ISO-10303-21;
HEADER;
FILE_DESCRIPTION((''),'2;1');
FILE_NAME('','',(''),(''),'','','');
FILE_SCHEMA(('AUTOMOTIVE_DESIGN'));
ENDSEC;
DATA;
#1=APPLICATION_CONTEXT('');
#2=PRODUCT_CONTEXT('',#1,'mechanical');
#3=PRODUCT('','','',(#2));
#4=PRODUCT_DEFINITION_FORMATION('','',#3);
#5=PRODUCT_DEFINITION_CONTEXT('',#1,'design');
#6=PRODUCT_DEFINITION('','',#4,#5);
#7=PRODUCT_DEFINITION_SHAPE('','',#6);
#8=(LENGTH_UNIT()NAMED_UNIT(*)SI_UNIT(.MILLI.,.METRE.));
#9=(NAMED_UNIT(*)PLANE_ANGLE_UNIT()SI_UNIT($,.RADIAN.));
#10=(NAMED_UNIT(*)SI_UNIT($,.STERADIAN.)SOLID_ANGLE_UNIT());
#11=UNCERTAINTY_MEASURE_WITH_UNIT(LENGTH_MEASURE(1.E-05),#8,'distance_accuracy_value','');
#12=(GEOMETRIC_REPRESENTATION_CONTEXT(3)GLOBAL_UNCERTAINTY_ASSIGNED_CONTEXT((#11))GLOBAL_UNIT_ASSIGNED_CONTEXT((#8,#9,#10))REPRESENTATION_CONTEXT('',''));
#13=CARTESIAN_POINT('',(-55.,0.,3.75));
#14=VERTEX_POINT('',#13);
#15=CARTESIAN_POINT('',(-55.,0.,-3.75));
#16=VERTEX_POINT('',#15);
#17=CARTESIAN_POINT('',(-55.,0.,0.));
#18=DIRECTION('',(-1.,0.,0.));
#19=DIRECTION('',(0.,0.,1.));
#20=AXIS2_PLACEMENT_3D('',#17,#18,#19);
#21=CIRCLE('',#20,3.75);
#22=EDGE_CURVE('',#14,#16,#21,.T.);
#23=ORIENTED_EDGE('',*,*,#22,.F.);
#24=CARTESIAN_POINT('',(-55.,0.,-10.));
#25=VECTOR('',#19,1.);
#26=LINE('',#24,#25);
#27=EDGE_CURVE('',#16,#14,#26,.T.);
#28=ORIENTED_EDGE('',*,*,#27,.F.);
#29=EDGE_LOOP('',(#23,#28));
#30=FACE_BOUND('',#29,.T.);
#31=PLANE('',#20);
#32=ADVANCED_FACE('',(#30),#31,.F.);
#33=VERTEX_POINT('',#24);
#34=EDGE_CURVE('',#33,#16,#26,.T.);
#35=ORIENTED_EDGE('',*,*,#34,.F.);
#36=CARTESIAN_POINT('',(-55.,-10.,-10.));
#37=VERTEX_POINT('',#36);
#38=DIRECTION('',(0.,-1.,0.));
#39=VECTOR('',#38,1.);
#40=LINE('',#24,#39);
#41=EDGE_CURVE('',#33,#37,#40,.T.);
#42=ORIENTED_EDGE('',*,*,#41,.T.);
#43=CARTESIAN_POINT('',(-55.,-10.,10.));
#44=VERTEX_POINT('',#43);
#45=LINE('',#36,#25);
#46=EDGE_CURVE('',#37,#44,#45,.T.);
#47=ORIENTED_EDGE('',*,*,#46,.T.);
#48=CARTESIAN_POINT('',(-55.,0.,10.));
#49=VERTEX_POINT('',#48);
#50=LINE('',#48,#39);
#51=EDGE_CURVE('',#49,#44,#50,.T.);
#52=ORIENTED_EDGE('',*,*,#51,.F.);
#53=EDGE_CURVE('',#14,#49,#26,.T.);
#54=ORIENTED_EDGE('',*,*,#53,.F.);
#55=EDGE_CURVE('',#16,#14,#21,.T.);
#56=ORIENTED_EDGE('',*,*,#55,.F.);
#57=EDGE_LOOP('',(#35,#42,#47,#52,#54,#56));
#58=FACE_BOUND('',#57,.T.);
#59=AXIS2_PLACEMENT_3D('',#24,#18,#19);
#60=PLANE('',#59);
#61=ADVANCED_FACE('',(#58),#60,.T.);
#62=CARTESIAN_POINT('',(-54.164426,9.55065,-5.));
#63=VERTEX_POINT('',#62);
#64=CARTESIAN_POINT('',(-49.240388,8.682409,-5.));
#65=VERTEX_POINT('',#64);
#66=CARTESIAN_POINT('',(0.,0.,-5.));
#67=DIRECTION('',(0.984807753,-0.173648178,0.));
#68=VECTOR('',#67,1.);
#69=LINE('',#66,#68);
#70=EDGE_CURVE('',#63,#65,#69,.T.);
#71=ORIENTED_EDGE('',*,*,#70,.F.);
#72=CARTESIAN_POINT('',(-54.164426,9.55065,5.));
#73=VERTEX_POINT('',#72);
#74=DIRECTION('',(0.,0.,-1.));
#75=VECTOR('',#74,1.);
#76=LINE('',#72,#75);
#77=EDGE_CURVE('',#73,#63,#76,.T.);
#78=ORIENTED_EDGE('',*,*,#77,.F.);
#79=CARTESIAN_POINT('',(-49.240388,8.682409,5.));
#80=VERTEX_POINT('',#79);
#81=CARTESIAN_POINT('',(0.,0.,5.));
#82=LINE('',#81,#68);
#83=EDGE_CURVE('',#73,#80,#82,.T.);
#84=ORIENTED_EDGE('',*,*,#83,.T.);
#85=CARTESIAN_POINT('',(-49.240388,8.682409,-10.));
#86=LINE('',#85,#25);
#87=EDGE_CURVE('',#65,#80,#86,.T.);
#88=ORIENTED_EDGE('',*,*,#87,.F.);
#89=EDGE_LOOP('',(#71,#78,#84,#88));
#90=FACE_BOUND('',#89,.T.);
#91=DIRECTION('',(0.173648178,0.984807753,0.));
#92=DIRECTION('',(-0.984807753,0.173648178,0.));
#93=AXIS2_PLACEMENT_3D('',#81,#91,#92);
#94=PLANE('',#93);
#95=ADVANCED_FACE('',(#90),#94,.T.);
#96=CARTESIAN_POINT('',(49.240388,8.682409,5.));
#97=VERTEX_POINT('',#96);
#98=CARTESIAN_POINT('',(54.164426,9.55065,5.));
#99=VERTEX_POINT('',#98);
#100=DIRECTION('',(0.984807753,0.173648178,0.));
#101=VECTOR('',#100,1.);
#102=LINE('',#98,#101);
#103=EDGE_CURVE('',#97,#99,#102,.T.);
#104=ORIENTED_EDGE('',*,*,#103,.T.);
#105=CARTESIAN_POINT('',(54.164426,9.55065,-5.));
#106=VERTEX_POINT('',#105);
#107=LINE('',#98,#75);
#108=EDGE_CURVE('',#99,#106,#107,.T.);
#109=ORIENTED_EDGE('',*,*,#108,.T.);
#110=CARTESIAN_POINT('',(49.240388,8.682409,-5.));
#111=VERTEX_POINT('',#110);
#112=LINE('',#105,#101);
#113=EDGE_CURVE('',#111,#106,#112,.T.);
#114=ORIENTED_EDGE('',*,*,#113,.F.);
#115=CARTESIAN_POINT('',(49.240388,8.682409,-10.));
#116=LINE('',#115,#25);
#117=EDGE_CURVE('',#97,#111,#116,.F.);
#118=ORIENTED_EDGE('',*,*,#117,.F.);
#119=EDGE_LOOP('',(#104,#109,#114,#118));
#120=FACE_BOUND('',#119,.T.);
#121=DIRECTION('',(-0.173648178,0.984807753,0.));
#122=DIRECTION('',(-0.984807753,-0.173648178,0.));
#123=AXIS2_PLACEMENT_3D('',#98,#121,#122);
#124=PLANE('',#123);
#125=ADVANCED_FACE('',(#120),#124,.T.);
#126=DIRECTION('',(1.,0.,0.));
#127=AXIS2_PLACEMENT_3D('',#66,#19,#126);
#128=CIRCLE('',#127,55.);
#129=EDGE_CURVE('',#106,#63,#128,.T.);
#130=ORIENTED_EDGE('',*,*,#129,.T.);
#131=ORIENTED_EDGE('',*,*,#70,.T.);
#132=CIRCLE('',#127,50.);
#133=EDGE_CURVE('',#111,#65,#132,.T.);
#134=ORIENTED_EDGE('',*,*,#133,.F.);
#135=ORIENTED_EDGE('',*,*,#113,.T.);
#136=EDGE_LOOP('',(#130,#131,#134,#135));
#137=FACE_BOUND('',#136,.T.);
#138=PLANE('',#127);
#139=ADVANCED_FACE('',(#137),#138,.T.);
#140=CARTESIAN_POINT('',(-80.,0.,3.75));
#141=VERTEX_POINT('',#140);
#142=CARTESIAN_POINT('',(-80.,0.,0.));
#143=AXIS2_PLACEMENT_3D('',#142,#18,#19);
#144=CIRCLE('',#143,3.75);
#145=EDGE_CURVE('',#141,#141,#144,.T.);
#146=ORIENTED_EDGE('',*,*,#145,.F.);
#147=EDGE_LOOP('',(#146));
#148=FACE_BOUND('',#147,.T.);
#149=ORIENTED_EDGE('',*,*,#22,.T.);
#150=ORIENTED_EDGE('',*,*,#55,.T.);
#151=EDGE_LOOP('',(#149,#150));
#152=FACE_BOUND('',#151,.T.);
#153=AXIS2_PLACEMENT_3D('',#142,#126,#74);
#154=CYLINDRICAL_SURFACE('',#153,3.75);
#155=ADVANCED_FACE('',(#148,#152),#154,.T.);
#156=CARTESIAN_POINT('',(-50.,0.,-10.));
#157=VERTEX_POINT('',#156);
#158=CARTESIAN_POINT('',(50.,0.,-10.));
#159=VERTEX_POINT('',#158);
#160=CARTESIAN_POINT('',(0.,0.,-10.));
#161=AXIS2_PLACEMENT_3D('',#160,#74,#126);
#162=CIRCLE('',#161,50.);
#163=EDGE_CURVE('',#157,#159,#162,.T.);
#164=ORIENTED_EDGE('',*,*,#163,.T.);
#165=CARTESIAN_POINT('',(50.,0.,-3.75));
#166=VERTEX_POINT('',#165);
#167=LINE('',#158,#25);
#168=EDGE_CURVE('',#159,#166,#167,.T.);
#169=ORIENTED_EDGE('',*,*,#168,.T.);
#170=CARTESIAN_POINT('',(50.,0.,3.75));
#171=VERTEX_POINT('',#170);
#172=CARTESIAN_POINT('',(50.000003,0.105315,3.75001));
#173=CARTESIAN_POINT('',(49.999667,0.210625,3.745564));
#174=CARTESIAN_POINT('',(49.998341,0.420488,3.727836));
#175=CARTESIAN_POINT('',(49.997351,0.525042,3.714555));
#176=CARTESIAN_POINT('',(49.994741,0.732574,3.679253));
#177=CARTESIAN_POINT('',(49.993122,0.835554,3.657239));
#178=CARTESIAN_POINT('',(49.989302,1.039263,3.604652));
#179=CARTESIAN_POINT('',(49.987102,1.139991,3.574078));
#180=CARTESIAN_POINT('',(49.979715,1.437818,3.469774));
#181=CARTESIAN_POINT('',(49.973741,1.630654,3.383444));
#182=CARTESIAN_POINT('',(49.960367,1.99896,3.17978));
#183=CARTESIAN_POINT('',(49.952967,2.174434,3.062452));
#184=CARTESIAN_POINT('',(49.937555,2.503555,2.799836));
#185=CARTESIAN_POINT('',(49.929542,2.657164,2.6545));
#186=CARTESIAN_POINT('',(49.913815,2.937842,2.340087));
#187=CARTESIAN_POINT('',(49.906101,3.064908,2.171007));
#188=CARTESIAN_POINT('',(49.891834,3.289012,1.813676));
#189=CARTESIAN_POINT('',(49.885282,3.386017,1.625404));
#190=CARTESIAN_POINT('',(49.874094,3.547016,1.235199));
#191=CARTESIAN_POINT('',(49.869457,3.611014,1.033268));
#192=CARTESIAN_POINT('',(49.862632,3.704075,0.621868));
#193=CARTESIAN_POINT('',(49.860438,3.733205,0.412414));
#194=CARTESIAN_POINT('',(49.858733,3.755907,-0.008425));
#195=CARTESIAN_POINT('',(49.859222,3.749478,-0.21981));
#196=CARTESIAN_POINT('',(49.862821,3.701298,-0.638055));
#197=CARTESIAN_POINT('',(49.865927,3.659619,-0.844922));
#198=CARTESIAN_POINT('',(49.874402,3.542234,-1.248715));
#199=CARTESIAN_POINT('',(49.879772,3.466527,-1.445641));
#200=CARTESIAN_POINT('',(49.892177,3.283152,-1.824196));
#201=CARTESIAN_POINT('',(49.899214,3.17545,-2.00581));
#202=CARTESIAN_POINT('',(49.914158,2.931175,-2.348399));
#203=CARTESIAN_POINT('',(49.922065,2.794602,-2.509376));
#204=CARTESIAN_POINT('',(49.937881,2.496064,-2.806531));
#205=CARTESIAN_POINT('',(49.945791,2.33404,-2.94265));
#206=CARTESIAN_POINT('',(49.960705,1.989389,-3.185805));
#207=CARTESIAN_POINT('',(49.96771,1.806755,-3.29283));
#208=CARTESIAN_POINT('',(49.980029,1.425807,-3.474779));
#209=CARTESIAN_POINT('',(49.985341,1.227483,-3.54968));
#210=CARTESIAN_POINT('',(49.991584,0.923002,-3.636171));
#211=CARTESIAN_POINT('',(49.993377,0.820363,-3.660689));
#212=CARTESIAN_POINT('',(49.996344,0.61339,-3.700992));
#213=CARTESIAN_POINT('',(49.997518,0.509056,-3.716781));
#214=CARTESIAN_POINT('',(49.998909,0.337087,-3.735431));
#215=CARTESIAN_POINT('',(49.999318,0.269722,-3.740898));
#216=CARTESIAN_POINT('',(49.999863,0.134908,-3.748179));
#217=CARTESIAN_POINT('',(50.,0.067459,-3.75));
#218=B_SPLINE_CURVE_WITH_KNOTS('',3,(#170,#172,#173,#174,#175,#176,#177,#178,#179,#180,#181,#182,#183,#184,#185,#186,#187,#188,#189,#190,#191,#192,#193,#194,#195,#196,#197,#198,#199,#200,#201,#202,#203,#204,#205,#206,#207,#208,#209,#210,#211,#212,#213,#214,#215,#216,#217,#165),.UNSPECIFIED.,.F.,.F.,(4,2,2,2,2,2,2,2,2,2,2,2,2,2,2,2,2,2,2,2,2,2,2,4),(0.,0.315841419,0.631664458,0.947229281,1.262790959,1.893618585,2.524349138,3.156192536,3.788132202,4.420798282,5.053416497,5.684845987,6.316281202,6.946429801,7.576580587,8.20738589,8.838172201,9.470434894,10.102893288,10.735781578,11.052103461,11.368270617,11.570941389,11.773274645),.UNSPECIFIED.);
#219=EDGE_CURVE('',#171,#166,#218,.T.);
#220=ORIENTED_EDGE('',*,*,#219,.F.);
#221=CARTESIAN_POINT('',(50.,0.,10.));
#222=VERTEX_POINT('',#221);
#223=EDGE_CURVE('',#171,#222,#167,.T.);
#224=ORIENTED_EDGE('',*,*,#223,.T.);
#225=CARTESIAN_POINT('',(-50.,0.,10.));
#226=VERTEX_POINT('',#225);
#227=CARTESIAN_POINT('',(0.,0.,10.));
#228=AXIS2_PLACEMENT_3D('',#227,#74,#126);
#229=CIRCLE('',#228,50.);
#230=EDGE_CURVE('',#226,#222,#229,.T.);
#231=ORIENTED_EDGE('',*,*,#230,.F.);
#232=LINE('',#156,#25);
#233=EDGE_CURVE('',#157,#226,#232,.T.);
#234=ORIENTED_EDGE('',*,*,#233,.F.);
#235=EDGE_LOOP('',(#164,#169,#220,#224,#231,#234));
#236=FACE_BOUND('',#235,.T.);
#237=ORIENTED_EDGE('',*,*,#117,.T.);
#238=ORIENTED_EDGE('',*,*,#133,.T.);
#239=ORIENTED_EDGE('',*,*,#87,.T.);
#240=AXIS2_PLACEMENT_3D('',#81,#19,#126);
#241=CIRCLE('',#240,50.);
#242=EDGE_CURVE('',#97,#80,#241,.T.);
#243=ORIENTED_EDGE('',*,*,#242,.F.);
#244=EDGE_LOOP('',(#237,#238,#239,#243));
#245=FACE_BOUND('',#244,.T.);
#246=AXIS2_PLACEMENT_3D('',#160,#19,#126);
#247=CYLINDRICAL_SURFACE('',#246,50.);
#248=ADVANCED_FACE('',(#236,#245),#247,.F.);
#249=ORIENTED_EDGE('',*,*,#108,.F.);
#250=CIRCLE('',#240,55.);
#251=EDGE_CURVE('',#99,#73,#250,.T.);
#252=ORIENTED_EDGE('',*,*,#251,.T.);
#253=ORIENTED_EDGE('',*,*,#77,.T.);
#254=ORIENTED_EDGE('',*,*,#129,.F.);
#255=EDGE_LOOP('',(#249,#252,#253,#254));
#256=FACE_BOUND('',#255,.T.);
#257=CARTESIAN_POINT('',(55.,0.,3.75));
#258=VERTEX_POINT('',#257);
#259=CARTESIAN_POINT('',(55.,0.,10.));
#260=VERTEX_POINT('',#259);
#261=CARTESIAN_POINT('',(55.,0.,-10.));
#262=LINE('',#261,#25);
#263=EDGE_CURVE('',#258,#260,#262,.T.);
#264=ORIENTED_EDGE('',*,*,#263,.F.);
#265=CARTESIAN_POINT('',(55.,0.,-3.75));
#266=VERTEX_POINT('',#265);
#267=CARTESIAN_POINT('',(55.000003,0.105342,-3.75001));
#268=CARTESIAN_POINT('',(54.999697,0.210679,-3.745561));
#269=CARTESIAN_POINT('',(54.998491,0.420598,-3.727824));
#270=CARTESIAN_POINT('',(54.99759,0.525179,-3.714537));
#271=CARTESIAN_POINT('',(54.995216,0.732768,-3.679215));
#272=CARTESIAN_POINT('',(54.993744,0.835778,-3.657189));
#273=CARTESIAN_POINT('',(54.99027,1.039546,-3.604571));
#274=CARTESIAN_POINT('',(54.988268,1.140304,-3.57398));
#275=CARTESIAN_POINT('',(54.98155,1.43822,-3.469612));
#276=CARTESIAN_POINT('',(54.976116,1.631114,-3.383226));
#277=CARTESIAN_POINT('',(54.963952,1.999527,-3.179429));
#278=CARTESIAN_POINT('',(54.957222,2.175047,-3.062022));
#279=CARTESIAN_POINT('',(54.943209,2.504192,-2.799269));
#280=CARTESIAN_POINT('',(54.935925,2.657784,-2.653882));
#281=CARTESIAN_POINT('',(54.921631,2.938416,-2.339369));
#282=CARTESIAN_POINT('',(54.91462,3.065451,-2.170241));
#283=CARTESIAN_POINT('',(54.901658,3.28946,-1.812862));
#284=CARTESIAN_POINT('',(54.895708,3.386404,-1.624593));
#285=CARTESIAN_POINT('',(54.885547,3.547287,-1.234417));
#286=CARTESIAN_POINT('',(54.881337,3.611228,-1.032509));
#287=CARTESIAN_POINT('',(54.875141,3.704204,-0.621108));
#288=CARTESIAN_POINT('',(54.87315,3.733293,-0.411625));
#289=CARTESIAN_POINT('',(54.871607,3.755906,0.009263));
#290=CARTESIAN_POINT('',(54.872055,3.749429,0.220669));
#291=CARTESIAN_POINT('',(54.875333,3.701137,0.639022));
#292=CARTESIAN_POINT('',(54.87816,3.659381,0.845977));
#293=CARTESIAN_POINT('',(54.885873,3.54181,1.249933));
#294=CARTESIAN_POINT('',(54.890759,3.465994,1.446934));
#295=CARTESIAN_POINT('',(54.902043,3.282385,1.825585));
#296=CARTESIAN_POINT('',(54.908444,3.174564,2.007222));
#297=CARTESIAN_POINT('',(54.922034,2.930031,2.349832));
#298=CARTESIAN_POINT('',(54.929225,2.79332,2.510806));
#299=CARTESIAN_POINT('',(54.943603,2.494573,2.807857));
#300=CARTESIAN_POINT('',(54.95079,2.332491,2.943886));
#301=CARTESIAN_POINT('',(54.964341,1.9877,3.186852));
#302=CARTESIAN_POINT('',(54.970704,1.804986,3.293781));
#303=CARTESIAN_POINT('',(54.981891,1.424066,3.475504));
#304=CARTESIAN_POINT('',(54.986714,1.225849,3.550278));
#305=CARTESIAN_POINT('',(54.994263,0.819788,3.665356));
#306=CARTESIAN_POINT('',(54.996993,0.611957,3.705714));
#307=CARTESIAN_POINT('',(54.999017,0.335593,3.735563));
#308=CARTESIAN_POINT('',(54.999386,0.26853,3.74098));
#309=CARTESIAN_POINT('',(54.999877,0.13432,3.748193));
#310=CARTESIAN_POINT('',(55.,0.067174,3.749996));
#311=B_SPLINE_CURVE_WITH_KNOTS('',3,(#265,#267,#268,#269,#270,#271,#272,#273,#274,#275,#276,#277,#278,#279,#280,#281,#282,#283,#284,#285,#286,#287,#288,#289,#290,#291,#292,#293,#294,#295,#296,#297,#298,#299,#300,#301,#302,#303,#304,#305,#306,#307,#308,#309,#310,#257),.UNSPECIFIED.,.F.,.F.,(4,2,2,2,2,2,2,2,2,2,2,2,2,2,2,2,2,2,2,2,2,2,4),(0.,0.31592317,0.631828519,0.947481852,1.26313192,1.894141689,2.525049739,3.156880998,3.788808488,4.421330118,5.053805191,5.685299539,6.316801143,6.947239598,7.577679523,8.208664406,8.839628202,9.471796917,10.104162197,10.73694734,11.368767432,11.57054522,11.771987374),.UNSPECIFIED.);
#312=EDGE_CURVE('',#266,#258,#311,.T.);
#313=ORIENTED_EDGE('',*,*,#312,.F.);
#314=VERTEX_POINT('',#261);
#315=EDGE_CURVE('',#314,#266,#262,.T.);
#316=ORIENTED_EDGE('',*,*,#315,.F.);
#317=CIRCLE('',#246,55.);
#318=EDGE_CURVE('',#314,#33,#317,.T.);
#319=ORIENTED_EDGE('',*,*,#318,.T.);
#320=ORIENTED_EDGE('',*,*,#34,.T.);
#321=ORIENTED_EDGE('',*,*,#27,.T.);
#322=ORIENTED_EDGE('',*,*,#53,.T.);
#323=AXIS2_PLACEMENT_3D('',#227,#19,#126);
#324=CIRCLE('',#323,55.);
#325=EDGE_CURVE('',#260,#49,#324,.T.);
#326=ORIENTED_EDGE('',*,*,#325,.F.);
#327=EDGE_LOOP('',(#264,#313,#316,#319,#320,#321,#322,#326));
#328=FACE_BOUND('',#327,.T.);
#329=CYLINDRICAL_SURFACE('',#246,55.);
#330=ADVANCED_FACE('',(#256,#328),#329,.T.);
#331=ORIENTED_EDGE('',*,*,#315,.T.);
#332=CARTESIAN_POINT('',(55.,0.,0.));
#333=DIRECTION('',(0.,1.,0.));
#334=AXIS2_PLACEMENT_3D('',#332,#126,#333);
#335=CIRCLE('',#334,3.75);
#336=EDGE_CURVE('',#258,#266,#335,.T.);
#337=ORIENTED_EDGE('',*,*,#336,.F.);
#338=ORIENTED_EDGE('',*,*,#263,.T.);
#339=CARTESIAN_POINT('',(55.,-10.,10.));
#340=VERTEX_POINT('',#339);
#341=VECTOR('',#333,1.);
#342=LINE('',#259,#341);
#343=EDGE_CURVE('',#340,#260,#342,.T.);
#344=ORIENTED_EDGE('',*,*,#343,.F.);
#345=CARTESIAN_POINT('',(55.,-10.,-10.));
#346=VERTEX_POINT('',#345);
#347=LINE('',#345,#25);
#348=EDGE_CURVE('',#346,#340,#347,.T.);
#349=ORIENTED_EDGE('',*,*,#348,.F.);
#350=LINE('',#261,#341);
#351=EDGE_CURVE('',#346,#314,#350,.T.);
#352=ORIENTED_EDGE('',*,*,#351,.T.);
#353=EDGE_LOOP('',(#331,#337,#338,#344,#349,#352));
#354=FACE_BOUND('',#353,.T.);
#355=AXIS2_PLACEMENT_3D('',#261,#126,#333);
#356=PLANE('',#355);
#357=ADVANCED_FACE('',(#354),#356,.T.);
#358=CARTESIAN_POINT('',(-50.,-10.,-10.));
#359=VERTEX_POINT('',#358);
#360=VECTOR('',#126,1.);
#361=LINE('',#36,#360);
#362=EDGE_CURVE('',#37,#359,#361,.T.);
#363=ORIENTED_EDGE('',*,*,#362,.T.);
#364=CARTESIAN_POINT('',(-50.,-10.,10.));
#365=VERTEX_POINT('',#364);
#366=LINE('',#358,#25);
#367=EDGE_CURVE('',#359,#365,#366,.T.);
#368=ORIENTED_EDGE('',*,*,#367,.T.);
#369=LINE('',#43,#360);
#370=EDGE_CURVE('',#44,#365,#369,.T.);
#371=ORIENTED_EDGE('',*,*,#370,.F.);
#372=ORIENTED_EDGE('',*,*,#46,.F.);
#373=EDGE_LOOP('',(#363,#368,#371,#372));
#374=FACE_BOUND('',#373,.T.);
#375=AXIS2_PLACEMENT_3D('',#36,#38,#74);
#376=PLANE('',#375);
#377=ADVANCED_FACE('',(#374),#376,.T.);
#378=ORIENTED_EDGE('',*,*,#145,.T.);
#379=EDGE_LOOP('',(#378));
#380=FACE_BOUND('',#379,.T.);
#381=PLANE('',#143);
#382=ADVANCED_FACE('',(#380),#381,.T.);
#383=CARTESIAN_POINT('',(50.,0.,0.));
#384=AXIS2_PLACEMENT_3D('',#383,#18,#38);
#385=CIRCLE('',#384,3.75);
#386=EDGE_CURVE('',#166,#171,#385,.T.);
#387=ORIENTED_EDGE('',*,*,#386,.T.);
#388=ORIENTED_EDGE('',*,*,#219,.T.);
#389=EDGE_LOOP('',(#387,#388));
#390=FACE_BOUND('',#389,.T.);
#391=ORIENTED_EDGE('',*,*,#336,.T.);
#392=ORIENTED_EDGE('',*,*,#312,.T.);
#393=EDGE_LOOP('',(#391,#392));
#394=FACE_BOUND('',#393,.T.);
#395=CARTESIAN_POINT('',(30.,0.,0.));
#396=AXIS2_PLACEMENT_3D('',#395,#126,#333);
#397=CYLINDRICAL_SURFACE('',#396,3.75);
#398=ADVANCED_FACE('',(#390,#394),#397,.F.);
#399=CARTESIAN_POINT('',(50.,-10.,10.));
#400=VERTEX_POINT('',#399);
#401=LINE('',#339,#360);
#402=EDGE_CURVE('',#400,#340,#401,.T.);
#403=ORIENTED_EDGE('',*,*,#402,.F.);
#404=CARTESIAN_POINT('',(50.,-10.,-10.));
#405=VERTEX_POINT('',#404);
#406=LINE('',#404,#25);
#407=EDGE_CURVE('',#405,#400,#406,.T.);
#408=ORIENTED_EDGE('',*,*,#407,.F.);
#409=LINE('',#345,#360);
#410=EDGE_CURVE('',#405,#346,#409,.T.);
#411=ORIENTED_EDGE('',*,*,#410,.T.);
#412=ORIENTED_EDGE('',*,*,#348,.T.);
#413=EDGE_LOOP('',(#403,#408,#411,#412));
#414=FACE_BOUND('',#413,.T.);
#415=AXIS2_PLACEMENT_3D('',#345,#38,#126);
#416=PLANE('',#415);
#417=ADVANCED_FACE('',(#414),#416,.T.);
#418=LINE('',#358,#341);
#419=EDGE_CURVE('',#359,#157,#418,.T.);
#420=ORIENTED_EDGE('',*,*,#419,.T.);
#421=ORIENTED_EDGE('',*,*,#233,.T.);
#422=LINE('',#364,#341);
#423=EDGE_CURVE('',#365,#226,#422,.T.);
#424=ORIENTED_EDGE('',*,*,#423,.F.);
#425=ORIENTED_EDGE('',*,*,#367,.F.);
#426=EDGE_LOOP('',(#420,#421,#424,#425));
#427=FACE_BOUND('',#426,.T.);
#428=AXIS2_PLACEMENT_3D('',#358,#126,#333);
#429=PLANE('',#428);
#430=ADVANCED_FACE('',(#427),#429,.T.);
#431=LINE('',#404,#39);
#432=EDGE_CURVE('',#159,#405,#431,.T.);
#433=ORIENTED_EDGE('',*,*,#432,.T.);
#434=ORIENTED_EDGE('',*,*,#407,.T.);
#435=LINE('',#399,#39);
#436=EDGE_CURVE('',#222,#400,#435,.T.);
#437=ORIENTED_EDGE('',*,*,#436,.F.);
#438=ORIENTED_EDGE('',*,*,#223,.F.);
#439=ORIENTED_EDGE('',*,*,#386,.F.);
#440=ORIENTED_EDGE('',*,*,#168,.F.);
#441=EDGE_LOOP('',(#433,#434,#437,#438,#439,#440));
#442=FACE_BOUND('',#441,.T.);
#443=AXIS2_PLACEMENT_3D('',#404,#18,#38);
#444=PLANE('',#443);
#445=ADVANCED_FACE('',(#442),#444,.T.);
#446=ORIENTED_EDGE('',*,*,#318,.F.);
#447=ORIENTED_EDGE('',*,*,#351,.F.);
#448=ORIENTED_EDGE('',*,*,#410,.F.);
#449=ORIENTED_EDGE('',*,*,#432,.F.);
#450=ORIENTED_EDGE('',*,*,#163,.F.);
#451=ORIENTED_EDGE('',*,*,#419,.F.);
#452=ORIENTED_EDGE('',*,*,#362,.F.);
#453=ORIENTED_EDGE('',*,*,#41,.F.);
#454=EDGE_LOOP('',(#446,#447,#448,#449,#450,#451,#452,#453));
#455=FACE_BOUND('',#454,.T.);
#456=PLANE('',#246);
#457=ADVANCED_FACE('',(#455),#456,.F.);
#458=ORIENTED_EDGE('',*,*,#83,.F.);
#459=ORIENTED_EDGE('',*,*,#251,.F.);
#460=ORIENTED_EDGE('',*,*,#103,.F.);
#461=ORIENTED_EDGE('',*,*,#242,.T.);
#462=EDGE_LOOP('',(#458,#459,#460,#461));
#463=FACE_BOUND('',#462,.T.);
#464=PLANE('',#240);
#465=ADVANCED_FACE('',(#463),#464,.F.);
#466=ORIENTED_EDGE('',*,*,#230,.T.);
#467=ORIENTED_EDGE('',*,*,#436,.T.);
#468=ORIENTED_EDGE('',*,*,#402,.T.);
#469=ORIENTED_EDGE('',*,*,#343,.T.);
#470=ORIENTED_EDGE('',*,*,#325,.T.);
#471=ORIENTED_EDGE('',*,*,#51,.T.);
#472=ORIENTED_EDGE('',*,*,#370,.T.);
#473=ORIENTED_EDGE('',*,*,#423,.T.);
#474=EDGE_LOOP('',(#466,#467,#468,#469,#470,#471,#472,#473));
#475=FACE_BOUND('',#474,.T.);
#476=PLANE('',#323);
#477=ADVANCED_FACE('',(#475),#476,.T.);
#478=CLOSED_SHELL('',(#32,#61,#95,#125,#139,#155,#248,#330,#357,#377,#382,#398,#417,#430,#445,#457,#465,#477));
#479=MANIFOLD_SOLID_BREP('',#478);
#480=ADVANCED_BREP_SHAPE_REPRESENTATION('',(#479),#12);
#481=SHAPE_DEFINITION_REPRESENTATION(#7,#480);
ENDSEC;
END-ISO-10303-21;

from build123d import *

# Parameters (mm, degrees)
BOSS_EXTRUDE1_DEPTH      = 10
BOSS_EXTRUDE1_DEPTH_BACK = 10
CUT_EXTRUDE1_DEPTH       = 5
CUT_EXTRUDE1_DEPTH_BACK  = 5
SKETCH4_R                = 3.75
BOSS_EXTRUDE2_DEPTH      = 25
SKETCH5_R                = 3.75
CUT_EXTRUDE3_DEPTH       = 25


with BuildPart() as part:
    # Sketch1 → Boss-Extrude1 (new, two sides: drawn at the far end of the back side and taken through both)
    with BuildSketch(Plane.XY.offset(-BOSS_EXTRUDE1_DEPTH_BACK)):
        with BuildLine():
            Line((-55, -10), (-50, -10))
            Line((-50, -10), (-50, 0))
            ThreePointArc((-50, 0), (0, 50), (50, 0))
            Line((50, 0), (50, -10))
            Line((50, -10), (55, -10))
            Line((55, -10), (55, 0))
            ThreePointArc((55, 0), (0, 55), (-55, 0))
            Line((-55, 0), (-55, -10))
        make_face()
    extrude(amount=BOSS_EXTRUDE1_DEPTH + BOSS_EXTRUDE1_DEPTH_BACK)

    # Sketch2 → Cut-Extrude1 (cut, two sides: drawn at the far end of the back side and taken through both)
    with BuildSketch(Plane.XY.offset(-CUT_EXTRUDE1_DEPTH_BACK)):
        with BuildLine():
            Line((0, 0), (-54.164426416, 9.550649772))
            ThreePointArc((-54.164426416, 9.550649772), (0, 55), (54.164426416, 9.550649772))
            Line((54.164426416, 9.550649772), (0, 0))
        make_face()
    extrude(amount=CUT_EXTRUDE1_DEPTH + CUT_EXTRUDE1_DEPTH_BACK, mode=Mode.SUBTRACT)

    # Sketch4 → Boss-Extrude2 (add)
    with BuildSketch(Plane.ZY.offset(55)):
        Circle(SKETCH4_R)
    extrude(amount=BOSS_EXTRUDE2_DEPTH)

    # Sketch5 → Cut-Extrude3 (cut)
    with BuildSketch(Plane(origin=(55, 0, 0), x_dir=(0, 0, -1), z_dir=(1, 0, 0))):
        Circle(SKETCH5_R)
    extrude(amount=-CUT_EXTRUDE3_DEPTH, mode=Mode.SUBTRACT)


solid = part.part
